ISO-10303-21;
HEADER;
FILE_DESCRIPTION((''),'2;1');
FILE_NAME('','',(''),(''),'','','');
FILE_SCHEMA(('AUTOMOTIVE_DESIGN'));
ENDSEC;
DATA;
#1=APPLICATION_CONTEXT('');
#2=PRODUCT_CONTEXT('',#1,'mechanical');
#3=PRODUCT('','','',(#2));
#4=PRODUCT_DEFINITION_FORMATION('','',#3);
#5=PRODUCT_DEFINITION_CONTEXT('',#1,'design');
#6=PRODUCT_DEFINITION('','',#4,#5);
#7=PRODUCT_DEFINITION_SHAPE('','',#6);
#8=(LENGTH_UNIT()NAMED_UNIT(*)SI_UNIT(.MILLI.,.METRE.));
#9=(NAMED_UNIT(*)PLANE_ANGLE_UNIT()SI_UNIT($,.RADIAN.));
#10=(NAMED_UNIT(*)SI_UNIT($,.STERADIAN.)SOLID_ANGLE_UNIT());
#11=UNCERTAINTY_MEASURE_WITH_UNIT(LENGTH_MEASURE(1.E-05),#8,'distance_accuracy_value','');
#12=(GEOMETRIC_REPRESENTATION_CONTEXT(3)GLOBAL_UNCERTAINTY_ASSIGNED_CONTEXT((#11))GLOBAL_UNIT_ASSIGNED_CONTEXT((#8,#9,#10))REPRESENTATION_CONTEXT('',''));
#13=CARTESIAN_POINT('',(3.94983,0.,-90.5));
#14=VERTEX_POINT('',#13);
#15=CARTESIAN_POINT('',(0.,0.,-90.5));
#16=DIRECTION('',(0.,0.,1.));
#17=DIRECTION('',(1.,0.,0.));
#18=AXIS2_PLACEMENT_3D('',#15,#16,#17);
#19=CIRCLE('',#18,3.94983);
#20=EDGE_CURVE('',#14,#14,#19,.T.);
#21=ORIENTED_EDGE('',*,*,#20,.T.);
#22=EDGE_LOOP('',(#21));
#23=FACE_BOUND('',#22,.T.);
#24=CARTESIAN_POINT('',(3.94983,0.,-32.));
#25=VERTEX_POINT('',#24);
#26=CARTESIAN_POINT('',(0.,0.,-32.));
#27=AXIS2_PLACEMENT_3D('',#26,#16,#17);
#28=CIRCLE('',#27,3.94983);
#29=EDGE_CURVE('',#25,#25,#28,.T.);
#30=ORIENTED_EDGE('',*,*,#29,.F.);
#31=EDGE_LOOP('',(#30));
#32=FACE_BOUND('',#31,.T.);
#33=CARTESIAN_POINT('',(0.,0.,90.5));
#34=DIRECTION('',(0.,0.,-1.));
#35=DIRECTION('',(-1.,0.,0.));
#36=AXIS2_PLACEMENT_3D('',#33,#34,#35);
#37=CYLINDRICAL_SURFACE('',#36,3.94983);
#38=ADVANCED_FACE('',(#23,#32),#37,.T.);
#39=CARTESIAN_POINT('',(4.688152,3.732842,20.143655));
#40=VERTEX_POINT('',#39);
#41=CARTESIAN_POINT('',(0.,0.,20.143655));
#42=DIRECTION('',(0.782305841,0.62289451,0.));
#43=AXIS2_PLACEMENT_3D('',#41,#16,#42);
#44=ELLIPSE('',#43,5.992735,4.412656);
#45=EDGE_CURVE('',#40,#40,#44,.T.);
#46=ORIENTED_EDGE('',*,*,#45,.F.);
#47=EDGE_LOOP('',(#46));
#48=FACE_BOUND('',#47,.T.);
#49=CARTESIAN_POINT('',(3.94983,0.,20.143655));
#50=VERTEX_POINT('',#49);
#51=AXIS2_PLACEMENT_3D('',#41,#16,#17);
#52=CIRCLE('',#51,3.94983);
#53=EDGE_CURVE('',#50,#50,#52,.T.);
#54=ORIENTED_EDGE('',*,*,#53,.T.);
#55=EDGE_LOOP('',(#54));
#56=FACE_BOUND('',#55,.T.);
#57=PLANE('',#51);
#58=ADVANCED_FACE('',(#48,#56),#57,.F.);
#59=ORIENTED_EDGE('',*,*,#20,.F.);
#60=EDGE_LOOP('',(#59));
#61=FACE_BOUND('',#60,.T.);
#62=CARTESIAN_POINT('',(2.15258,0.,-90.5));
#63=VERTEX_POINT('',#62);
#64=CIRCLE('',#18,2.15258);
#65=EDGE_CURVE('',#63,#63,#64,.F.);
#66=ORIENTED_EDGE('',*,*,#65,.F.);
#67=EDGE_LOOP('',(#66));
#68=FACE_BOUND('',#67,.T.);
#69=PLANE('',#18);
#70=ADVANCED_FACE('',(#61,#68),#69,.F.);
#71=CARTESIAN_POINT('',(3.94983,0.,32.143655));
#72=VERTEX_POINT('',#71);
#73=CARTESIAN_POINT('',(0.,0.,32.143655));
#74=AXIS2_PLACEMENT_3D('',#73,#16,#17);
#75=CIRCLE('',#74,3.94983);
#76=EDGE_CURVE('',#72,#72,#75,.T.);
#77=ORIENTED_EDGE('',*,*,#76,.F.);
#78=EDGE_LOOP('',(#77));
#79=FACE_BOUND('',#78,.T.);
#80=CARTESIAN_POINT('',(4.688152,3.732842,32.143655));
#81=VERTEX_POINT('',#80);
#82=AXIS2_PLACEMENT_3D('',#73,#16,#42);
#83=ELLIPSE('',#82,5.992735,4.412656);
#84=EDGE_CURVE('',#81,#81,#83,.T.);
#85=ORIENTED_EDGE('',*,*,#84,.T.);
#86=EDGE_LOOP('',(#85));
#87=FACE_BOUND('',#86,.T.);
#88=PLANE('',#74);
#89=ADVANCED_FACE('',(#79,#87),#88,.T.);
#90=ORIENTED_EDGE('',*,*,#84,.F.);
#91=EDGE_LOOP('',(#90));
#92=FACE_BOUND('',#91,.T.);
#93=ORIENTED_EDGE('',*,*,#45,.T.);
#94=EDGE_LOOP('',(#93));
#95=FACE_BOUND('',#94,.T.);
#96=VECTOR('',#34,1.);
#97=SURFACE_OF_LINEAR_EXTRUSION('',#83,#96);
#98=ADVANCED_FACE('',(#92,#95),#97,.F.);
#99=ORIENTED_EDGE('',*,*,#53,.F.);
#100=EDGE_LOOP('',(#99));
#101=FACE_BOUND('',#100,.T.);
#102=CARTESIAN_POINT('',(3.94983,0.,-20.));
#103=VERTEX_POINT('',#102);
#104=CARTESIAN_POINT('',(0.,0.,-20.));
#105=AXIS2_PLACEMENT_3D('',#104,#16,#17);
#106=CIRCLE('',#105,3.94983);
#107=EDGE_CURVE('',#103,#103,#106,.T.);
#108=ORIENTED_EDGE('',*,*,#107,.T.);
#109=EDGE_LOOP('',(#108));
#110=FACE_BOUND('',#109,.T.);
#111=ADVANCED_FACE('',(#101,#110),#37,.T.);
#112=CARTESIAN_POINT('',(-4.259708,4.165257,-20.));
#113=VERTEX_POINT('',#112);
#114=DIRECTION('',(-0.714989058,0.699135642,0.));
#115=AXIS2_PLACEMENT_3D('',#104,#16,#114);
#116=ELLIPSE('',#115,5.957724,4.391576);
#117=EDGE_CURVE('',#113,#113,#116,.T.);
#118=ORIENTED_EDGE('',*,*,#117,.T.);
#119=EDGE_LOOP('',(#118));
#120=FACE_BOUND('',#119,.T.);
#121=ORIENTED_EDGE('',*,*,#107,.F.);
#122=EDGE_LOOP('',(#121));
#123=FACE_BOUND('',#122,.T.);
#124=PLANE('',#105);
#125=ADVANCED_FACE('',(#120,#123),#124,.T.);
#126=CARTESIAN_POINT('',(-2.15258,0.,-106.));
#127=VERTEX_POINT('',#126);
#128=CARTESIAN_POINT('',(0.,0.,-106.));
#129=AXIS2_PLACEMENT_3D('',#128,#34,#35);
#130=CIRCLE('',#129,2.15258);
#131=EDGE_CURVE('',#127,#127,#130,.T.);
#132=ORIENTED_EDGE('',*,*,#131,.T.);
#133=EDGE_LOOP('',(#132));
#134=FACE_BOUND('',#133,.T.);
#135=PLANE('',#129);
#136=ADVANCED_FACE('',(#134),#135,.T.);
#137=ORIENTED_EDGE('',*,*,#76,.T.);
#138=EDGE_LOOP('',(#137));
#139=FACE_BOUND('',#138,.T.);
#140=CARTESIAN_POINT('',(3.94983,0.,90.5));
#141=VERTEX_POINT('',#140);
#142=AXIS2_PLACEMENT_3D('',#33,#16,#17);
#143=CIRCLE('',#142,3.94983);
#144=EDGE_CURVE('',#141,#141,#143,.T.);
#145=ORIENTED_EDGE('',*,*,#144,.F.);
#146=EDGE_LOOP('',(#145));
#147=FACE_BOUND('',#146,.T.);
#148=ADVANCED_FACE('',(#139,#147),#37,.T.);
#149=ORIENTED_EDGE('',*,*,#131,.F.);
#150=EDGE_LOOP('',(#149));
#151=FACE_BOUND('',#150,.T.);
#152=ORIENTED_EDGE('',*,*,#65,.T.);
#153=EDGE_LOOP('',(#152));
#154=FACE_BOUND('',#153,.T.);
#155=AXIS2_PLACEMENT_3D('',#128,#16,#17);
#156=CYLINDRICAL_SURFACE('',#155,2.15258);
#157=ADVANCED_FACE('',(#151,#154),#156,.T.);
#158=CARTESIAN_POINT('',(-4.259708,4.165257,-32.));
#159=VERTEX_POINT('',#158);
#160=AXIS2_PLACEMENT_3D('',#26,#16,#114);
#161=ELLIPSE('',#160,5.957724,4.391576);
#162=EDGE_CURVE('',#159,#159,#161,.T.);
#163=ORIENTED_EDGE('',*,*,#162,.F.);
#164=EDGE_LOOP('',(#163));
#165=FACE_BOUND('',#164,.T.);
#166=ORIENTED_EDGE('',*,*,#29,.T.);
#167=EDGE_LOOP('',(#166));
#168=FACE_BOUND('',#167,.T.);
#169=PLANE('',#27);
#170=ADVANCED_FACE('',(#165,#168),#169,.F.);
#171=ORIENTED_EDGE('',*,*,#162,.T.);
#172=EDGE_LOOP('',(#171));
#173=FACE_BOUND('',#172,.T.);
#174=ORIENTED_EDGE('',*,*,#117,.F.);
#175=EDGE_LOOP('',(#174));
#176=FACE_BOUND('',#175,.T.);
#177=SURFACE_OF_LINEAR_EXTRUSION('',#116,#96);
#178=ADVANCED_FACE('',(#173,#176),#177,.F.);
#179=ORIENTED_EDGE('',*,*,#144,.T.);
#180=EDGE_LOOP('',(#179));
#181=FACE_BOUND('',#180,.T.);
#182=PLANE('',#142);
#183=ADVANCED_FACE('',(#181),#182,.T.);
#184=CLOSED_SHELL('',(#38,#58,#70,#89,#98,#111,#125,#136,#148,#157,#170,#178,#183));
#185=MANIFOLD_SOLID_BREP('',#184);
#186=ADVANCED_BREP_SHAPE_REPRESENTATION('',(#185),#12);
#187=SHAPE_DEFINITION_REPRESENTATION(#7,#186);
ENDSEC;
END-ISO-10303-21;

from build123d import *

# Parameters (mm, degrees)
IZIM1_R                     = 3.949830294
Y_KSEKLIK_EKSTR_ZYON1_DEPTH = 90.5
IZIM2_RX                    = 5.99273517
IZIM2_RY                    = 4.41265557
Y_KSEKLIK_EKSTR_ZYON2_DEPTH = 6
IZIM3_RX                    = 5.957724317
IZIM3_RY                    = 4.391576019
Y_KSEKLIK_EKSTR_ZYON3_DEPTH = 6
IZIM5_R                     = 2.152579794
Y_KSEKLIK_EKSTR_ZYON5_DEPTH = 15.5


with BuildPart() as part:
    # Çizim1 → Yükseklik-Ekstrüzyon1 (new body, symmetric)
    with BuildSketch(Plane.XY):
        Circle(IZIM1_R)
    extrude(amount=Y_KSEKLIK_EKSTR_ZYON1_DEPTH, both=True)

    # Çizim2 → Yükseklik-Ekstrüzyon2 (add, symmetric)
    with BuildSketch(Plane.XY.offset(26.14365475)):
        with Locations(Location((0, 0), (0, 0, 38.527816434))):
            Ellipse(IZIM2_RX, IZIM2_RY)
    extrude(amount=Y_KSEKLIK_EKSTR_ZYON2_DEPTH, both=True)

    # Çizim3 → Yükseklik-Ekstrüzyon3 (add, symmetric)
    with BuildSketch(Plane.XY.offset(-26)):
        with Locations(Location((0, 0), (0, 0, 135.642302459))):
            Ellipse(IZIM3_RX, IZIM3_RY)
    extrude(amount=Y_KSEKLIK_EKSTR_ZYON3_DEPTH, both=True)

    # Çizim5 → Yükseklik-Ekstrüzyon5 (add, symmetric)
    with BuildSketch(Plane(origin=(0, 0, -90.5), x_dir=(-1, 0, 0), z_dir=(0, 0, -1))):
        Circle(IZIM5_R)
    extrude(amount=Y_KSEKLIK_EKSTR_ZYON5_DEPTH, both=True)


solid = part.part
